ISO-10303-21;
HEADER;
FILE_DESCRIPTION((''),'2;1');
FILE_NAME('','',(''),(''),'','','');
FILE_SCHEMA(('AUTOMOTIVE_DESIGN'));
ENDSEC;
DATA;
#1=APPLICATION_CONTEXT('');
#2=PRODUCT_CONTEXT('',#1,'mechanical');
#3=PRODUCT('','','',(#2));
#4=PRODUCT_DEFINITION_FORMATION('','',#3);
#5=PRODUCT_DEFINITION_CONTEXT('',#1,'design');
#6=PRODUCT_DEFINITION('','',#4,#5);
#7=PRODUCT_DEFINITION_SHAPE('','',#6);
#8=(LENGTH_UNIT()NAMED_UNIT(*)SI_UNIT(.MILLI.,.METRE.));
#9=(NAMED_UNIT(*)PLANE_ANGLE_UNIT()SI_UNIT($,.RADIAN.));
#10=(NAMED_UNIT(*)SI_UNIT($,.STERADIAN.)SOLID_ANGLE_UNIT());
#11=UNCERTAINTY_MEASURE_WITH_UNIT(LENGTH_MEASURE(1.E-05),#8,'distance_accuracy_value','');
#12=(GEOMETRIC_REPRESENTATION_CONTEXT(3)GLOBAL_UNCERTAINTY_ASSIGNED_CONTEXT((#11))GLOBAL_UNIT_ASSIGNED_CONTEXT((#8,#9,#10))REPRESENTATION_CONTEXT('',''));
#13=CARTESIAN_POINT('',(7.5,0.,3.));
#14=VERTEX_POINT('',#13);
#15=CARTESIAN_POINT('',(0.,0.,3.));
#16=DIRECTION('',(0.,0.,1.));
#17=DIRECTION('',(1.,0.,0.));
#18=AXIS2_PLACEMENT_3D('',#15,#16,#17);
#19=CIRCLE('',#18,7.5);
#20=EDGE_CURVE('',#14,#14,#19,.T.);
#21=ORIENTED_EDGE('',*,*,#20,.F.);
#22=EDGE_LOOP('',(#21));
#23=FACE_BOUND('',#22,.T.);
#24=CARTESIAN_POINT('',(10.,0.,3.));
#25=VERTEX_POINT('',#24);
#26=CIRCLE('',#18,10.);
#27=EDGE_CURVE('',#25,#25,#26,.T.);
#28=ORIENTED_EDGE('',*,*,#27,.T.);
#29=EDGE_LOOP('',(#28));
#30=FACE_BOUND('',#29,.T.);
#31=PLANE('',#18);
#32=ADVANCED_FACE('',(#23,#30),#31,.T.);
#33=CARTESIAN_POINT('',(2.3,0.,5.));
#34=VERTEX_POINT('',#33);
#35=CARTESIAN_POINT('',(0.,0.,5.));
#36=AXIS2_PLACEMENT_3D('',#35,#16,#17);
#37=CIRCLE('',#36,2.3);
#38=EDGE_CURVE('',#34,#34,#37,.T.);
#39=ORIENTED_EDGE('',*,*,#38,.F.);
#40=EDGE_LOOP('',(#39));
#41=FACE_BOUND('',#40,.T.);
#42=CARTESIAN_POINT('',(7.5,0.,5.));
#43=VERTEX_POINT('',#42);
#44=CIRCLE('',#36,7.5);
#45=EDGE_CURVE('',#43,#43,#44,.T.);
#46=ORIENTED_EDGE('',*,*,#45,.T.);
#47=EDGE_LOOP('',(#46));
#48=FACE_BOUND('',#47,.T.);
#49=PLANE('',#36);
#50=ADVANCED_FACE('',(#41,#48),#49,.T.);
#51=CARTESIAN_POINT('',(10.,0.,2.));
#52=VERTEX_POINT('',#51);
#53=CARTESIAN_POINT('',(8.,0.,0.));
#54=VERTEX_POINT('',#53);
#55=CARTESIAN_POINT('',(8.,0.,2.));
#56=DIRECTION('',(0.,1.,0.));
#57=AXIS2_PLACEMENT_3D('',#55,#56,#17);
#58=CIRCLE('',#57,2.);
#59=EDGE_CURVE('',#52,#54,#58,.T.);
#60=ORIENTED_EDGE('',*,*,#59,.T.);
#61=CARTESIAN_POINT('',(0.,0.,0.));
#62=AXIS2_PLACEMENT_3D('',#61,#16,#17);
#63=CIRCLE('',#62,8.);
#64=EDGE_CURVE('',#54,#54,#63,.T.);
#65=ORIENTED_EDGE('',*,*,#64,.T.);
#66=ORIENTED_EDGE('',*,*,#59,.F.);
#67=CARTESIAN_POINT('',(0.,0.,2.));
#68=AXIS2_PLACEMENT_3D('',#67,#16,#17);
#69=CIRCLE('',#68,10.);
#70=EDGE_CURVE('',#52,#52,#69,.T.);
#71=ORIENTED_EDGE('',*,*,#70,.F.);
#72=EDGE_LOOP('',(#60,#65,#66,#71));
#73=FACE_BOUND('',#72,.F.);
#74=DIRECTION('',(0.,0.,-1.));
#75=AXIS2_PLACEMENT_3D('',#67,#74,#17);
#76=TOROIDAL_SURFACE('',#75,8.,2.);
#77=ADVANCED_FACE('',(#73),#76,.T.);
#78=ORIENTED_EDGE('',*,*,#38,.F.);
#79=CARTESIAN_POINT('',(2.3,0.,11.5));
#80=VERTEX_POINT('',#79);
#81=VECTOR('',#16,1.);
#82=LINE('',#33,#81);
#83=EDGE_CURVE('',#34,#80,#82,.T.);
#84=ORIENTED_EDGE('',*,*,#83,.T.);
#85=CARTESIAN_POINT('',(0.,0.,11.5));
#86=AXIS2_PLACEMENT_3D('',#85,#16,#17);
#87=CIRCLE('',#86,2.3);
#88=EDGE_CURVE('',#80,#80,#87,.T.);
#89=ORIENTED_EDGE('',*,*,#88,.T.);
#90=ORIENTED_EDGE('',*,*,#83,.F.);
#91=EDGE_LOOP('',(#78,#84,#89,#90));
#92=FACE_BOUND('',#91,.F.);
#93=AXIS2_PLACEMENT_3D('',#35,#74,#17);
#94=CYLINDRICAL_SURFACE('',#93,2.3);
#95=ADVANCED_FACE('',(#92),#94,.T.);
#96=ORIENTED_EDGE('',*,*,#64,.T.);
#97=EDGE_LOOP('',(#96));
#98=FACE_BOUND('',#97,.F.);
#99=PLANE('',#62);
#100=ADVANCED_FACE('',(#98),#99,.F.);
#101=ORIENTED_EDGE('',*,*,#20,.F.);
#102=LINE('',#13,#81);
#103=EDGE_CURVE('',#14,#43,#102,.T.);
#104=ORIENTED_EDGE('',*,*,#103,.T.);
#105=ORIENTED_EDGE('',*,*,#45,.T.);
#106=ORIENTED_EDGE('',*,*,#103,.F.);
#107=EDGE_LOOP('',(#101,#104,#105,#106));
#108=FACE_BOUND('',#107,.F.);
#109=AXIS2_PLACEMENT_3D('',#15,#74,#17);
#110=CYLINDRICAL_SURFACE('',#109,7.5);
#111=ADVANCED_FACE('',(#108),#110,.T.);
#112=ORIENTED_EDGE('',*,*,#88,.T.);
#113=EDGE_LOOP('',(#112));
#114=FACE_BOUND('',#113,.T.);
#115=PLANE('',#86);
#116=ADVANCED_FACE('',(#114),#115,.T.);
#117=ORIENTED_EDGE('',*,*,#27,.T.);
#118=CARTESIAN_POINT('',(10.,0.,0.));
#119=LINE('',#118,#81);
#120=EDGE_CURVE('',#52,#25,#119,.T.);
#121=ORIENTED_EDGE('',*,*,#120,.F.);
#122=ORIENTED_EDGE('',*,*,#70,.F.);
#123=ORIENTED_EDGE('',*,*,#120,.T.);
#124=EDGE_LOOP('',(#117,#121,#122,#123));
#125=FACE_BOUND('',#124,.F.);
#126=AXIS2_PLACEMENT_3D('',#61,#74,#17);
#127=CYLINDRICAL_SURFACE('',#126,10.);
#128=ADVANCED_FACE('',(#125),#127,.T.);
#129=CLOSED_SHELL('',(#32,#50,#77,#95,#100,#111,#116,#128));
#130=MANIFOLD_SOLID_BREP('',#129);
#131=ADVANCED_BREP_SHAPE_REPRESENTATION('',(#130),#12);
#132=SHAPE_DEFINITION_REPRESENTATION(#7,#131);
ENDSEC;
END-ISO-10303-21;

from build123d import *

# Parameters (mm, degrees)
F0_R     = 10
F1_DEPTH = 3
F2_R     = 2
F3_R     = 7.5
F4_DEPTH = 2
F5_R     = 2.3
F6_DEPTH = 6.5


with BuildPart() as f1:
    # F0 (on Top) → F1 (new body)
    with BuildSketch(Plane.XY):
        Circle(F0_R)
    extrude(amount=F1_DEPTH)

    # F2
    f2_edges = [f1.edges().sort_by_distance(p)[0] for p in [
        (-10, 0, 0),
    ]]
    fillet(f2_edges, radius=F2_R)

    # F3 (on face) → F4 (join)
    with BuildSketch(Plane.XY.offset(3)):
        Circle(F3_R)
    extrude(amount=F4_DEPTH)

    # F5 (on face) → F6 (join)
    with BuildSketch(Plane.XY.offset(5)):
        Circle(F5_R)
    extrude(amount=F6_DEPTH)


solid = f1.part
